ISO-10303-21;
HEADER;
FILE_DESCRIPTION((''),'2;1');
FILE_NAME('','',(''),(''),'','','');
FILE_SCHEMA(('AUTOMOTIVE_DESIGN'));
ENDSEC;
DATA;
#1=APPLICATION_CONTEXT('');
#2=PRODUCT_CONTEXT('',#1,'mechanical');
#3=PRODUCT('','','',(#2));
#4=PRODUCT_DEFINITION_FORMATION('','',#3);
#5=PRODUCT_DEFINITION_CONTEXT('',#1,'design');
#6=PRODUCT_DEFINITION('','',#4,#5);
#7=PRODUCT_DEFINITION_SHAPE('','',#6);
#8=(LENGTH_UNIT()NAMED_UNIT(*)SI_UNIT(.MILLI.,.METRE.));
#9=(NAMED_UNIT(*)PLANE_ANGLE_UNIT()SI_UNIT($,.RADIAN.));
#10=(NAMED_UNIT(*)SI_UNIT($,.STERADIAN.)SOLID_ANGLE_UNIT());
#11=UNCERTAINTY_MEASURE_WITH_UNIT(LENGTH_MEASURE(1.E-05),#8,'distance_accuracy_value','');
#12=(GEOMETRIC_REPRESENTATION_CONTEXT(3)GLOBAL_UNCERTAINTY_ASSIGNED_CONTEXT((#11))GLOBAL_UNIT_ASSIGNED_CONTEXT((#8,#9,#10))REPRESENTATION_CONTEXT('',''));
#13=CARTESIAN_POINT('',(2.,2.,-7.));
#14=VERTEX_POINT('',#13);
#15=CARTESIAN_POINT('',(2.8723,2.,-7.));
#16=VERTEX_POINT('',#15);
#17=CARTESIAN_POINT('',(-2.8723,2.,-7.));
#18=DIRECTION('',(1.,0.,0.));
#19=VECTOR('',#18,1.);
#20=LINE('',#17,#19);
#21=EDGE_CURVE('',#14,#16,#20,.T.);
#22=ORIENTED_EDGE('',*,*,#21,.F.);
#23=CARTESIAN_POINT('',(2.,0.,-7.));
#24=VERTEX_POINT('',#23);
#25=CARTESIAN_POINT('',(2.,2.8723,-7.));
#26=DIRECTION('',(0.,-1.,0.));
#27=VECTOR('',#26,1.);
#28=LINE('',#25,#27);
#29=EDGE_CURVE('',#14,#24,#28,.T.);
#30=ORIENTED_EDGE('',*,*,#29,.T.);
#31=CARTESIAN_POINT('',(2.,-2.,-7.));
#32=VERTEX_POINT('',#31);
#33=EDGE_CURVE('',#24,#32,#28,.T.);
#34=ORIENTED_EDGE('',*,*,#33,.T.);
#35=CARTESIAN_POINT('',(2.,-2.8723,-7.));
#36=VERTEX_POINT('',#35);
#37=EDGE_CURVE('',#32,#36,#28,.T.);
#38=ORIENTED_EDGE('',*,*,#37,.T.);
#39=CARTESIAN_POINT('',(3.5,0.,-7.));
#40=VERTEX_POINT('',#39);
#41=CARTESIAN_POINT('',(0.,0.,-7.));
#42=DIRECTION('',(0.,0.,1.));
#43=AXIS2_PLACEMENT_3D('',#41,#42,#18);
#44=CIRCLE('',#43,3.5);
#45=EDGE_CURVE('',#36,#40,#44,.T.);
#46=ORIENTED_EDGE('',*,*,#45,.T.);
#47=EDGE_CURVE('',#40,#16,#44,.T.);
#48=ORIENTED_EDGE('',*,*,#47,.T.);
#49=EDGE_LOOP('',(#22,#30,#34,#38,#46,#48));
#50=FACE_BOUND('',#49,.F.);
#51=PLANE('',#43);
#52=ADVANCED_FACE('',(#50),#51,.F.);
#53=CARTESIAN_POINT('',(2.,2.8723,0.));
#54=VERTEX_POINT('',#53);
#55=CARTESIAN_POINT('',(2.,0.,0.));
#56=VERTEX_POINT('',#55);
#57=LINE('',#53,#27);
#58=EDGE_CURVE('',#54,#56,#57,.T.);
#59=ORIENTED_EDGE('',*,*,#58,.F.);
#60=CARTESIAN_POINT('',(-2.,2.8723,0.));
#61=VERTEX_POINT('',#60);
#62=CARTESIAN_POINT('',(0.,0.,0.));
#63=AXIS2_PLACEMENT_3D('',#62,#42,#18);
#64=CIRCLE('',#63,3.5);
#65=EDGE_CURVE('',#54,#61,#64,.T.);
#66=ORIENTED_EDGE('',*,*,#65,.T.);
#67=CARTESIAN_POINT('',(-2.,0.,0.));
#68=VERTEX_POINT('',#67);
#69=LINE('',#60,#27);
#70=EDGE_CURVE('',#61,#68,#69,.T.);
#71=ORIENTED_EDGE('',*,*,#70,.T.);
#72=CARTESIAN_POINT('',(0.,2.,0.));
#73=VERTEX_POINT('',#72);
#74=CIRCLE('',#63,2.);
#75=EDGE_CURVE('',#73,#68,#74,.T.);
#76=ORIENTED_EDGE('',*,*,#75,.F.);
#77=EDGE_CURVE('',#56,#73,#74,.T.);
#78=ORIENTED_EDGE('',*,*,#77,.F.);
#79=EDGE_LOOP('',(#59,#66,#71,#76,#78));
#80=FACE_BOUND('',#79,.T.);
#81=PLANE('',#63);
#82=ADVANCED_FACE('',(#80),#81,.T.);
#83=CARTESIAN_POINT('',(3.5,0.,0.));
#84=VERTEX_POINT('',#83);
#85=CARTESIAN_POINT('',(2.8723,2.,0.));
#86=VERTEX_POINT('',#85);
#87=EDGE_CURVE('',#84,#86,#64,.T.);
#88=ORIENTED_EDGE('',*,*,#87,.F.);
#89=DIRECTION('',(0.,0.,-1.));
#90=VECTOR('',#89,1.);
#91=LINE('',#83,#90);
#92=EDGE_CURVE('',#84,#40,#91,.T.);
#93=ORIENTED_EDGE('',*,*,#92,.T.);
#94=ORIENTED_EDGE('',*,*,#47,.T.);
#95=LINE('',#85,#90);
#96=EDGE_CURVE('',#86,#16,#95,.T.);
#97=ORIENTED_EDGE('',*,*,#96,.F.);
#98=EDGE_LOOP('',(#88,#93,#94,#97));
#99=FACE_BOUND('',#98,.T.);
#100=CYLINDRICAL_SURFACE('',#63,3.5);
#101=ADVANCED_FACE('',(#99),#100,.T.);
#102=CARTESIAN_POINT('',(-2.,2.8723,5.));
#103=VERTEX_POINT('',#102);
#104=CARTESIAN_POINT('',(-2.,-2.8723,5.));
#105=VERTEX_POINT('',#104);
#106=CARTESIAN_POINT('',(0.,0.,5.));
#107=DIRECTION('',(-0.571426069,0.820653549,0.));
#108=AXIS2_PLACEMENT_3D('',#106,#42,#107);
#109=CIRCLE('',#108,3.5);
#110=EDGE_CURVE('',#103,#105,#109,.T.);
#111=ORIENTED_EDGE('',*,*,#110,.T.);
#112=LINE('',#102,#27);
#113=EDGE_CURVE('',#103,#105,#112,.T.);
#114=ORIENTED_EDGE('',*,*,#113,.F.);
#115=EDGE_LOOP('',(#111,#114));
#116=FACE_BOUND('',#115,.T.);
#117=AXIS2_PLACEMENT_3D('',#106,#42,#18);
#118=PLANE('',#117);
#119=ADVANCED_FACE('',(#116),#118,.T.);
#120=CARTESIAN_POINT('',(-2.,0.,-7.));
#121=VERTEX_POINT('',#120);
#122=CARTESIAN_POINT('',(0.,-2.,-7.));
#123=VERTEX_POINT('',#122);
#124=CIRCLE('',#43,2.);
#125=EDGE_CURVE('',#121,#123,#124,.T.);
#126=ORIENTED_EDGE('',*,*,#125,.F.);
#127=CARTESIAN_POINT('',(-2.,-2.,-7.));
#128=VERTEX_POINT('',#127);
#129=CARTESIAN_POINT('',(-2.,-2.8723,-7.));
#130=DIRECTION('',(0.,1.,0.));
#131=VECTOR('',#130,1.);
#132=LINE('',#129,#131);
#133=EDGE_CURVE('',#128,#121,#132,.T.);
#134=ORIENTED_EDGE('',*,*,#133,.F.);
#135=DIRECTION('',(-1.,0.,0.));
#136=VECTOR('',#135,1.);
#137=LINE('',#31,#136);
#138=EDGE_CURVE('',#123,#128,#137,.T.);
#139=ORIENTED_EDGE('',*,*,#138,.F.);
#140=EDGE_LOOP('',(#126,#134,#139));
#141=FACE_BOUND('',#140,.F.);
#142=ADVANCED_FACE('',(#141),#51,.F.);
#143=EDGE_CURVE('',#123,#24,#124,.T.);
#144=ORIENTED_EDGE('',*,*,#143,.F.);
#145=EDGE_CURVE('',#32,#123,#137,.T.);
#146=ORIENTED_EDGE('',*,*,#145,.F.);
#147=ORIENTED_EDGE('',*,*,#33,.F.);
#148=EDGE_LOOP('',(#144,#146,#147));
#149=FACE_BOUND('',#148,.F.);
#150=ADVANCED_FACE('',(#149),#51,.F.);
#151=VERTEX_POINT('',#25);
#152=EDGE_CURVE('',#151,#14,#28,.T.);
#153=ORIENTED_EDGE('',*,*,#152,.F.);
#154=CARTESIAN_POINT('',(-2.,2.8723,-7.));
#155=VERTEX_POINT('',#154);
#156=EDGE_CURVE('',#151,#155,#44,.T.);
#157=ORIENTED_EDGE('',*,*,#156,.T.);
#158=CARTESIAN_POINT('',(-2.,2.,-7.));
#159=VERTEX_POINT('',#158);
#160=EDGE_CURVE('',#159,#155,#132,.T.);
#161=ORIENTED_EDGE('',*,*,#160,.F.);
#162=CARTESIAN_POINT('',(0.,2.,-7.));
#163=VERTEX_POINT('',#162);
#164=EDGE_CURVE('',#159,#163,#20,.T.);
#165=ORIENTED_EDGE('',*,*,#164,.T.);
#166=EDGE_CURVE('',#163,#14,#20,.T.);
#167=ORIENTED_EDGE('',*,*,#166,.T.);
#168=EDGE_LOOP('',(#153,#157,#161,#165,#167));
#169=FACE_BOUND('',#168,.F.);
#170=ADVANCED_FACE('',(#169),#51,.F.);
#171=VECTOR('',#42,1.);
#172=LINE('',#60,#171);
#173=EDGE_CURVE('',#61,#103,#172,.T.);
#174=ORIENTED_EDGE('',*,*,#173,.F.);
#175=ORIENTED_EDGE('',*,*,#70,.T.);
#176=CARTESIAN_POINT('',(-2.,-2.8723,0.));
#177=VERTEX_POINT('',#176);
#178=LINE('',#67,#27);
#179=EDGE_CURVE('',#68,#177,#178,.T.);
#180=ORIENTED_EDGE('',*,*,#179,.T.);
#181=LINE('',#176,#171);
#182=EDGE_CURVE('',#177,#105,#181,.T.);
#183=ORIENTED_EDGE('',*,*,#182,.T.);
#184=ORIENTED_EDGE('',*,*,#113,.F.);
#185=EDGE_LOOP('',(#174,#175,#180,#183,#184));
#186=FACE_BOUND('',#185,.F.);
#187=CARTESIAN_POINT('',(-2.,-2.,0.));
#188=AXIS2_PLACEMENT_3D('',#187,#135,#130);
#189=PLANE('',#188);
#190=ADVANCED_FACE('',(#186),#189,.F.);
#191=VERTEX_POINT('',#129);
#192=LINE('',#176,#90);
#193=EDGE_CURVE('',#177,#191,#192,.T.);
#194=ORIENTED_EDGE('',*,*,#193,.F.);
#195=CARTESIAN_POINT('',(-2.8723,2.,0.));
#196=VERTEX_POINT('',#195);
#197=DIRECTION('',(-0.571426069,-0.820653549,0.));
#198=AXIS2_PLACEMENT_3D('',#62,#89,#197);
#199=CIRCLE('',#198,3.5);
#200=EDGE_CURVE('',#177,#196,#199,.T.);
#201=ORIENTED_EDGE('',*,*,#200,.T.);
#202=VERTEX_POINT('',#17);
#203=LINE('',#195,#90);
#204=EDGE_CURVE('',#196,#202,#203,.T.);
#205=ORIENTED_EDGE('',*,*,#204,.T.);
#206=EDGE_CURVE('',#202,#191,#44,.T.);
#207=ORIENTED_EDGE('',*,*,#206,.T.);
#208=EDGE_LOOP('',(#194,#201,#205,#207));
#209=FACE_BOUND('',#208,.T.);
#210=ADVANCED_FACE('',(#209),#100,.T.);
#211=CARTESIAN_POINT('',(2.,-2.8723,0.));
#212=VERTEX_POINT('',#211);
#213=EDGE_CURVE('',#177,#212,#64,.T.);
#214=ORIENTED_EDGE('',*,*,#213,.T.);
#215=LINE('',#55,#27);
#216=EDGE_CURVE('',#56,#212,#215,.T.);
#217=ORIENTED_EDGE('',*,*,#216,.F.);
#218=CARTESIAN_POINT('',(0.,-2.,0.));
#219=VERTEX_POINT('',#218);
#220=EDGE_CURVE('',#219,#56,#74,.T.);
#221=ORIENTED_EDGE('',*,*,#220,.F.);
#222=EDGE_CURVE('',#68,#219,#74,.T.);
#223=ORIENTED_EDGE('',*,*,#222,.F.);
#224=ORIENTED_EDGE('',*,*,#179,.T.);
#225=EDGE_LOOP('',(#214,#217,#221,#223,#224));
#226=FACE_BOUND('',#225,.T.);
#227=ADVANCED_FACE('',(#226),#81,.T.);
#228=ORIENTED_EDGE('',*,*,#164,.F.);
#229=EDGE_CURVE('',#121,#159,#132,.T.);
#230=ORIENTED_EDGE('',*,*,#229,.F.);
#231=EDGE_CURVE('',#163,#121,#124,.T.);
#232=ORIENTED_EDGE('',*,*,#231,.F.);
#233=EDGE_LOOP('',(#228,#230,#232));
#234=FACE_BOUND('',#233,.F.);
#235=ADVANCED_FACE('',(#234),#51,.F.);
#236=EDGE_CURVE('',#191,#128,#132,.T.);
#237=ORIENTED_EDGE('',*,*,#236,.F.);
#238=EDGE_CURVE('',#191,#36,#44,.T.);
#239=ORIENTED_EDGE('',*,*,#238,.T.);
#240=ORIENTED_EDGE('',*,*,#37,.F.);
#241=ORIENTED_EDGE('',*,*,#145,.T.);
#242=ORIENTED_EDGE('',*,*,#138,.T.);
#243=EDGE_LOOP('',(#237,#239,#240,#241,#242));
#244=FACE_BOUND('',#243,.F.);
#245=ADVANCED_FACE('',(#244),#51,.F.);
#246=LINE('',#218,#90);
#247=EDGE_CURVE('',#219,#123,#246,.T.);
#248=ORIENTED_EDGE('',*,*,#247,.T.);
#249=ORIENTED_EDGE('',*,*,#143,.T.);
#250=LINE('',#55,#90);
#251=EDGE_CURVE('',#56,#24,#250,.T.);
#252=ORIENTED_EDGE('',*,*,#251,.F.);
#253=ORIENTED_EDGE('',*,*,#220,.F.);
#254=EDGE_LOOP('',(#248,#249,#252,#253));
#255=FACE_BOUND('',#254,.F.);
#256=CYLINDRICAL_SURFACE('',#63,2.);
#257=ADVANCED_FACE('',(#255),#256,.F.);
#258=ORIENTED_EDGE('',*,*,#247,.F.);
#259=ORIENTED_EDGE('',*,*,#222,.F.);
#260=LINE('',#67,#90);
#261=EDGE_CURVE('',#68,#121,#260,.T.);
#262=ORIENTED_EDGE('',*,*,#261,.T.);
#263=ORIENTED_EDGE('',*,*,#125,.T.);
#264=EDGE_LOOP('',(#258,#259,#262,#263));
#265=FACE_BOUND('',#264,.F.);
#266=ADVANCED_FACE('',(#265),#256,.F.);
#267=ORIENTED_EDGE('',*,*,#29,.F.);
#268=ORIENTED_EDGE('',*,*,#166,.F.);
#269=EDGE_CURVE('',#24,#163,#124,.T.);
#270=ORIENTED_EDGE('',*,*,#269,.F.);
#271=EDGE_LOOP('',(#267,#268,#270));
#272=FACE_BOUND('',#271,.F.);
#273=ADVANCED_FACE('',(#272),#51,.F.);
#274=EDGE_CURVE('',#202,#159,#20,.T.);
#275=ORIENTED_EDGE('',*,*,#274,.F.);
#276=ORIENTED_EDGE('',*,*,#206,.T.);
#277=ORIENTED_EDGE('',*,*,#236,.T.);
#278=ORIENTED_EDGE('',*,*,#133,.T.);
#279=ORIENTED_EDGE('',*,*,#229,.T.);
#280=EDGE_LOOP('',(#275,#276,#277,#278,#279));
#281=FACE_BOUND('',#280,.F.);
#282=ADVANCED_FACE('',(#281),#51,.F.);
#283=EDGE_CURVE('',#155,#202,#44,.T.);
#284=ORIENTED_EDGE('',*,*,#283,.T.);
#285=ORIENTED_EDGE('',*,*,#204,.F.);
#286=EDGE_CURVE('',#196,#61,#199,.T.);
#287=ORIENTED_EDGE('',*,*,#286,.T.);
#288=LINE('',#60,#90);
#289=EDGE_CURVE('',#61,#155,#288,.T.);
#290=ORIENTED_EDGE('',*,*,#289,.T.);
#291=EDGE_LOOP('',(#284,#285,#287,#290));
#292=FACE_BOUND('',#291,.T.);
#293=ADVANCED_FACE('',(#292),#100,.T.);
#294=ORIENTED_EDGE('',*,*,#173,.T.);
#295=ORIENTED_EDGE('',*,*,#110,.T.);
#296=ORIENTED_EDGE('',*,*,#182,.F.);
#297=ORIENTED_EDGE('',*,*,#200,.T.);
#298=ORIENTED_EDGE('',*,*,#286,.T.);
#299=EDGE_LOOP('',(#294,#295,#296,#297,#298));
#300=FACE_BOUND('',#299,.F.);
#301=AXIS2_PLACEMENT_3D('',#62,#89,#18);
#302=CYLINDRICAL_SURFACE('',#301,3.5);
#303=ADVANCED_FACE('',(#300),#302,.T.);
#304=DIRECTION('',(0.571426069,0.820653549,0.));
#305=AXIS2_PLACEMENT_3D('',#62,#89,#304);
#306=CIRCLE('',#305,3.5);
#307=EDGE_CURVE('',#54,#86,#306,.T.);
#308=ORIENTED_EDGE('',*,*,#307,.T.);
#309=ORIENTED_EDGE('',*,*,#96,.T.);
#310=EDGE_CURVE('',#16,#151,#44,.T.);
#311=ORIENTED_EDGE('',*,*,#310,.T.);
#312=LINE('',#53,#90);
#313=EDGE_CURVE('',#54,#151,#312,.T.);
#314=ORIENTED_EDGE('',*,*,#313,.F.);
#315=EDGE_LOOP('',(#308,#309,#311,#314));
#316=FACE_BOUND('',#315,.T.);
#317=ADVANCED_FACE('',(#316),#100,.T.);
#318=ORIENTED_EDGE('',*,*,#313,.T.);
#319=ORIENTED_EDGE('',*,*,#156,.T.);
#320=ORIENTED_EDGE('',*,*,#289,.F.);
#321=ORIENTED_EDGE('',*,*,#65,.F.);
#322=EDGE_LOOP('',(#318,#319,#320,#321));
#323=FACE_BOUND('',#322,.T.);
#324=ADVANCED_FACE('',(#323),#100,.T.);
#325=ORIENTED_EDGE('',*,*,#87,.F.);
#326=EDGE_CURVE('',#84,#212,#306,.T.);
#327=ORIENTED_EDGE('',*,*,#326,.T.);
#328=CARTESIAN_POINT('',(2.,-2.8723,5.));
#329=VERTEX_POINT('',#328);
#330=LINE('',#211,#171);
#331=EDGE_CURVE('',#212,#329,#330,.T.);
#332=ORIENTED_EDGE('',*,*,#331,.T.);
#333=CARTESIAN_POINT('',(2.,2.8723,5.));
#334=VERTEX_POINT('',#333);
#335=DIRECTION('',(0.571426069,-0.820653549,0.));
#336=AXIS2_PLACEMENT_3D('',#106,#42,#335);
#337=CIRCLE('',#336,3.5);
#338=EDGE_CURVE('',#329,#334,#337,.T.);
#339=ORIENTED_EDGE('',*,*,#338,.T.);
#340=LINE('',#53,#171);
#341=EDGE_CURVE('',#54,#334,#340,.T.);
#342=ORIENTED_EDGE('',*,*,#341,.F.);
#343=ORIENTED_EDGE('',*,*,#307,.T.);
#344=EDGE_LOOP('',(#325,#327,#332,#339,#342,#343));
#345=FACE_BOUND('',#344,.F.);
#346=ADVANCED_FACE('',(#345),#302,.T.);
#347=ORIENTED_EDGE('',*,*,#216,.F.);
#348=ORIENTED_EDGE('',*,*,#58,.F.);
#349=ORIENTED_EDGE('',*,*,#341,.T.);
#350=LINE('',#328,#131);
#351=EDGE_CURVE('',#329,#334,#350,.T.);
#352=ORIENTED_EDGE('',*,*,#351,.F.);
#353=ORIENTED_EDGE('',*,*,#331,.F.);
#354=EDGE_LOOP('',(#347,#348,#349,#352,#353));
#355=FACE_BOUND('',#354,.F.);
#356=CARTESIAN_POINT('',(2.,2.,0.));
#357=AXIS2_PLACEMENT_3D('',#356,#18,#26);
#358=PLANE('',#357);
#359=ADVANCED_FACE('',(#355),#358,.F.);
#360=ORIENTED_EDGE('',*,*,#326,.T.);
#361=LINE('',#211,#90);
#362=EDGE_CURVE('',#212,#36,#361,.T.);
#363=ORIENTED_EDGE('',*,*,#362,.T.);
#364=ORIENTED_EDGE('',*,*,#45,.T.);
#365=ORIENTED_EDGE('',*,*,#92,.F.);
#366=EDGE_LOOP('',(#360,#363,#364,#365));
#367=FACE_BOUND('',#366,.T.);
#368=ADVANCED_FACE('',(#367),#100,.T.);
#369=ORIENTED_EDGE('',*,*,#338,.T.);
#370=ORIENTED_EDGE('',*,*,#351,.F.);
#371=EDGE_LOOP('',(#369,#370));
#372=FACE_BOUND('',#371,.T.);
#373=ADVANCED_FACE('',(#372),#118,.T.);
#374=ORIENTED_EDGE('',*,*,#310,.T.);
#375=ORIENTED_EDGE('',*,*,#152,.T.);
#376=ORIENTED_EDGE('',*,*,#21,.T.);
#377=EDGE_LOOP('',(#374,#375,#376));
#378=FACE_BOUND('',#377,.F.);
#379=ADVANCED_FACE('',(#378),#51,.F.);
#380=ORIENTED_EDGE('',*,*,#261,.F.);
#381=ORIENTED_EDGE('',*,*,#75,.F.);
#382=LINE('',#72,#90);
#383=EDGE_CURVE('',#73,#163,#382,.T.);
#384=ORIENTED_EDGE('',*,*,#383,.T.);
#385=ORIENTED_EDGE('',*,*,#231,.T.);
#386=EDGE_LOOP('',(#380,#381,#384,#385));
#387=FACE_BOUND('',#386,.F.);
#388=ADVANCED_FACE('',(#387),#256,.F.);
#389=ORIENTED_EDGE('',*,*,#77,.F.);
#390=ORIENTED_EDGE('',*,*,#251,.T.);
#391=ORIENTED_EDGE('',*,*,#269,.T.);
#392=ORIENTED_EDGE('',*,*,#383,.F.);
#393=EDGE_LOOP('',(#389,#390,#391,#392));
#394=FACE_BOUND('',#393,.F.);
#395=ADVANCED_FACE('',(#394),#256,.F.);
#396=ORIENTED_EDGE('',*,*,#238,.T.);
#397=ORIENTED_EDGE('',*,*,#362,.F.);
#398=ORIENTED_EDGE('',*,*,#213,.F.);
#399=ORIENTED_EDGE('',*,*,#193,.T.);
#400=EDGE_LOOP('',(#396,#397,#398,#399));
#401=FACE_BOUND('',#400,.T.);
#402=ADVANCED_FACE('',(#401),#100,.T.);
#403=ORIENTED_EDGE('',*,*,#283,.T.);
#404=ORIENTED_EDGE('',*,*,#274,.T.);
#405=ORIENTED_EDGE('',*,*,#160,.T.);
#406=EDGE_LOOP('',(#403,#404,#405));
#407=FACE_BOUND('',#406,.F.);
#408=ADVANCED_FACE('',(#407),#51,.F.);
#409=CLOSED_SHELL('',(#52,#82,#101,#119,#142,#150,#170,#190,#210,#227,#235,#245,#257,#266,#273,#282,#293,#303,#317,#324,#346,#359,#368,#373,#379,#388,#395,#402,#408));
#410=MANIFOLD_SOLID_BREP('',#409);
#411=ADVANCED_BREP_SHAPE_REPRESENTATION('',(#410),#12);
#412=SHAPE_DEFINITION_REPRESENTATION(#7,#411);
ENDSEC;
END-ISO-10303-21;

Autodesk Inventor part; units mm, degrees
ref_plane "YZ Plane" through (0, 0, 0) normal (1, 0, 0) x (0, 1, 0)
ref_plane "XZ Plane" through (0, 0, 0) normal (0, 1, 0) x (-1, 0, 0)
ref_plane "XY Plane" through (0, 0, 0) normal (0, 0, 1) x (1, 0, 0)
sketch "Sketch1" plane through (0, 0, 0) normal (0, 0, 1) x (1, 0, 0)
  circle A0 centre (0, 0) radius 2
  circle A1 centre (0, 0) radius 3.5
  line L0 (2, 2.8723) -> (2, -2.8723)
  line L1 (2, -2) -> (-2, -2)
  line L2 (-2, -2.8723) -> (-2, 2.8723)
  line L3 (-2.8723, 2) -> (2.8723, 2)
  dimension "d0" = 4
  dimension "d1" = 7
extrude "Extrusion1" add sketch "Sketch1" along normal blind 5 contours L0 L3 A1 | L0 A1 L3 | L2 A1 L3 | L3 A1 L2
extrude "Extrusion2" add sketch "Sketch1" against normal blind 7 contours L0 L1 A0 | L0 L3 A1 | A0 L3 L0 | A0 L2 L3 | L3 L2 A1 L0 | L1 L2 A0 | L1 L0 A1 L2 | L0 A1 L3 | L2 A1 L3 | L3 A1 L2
